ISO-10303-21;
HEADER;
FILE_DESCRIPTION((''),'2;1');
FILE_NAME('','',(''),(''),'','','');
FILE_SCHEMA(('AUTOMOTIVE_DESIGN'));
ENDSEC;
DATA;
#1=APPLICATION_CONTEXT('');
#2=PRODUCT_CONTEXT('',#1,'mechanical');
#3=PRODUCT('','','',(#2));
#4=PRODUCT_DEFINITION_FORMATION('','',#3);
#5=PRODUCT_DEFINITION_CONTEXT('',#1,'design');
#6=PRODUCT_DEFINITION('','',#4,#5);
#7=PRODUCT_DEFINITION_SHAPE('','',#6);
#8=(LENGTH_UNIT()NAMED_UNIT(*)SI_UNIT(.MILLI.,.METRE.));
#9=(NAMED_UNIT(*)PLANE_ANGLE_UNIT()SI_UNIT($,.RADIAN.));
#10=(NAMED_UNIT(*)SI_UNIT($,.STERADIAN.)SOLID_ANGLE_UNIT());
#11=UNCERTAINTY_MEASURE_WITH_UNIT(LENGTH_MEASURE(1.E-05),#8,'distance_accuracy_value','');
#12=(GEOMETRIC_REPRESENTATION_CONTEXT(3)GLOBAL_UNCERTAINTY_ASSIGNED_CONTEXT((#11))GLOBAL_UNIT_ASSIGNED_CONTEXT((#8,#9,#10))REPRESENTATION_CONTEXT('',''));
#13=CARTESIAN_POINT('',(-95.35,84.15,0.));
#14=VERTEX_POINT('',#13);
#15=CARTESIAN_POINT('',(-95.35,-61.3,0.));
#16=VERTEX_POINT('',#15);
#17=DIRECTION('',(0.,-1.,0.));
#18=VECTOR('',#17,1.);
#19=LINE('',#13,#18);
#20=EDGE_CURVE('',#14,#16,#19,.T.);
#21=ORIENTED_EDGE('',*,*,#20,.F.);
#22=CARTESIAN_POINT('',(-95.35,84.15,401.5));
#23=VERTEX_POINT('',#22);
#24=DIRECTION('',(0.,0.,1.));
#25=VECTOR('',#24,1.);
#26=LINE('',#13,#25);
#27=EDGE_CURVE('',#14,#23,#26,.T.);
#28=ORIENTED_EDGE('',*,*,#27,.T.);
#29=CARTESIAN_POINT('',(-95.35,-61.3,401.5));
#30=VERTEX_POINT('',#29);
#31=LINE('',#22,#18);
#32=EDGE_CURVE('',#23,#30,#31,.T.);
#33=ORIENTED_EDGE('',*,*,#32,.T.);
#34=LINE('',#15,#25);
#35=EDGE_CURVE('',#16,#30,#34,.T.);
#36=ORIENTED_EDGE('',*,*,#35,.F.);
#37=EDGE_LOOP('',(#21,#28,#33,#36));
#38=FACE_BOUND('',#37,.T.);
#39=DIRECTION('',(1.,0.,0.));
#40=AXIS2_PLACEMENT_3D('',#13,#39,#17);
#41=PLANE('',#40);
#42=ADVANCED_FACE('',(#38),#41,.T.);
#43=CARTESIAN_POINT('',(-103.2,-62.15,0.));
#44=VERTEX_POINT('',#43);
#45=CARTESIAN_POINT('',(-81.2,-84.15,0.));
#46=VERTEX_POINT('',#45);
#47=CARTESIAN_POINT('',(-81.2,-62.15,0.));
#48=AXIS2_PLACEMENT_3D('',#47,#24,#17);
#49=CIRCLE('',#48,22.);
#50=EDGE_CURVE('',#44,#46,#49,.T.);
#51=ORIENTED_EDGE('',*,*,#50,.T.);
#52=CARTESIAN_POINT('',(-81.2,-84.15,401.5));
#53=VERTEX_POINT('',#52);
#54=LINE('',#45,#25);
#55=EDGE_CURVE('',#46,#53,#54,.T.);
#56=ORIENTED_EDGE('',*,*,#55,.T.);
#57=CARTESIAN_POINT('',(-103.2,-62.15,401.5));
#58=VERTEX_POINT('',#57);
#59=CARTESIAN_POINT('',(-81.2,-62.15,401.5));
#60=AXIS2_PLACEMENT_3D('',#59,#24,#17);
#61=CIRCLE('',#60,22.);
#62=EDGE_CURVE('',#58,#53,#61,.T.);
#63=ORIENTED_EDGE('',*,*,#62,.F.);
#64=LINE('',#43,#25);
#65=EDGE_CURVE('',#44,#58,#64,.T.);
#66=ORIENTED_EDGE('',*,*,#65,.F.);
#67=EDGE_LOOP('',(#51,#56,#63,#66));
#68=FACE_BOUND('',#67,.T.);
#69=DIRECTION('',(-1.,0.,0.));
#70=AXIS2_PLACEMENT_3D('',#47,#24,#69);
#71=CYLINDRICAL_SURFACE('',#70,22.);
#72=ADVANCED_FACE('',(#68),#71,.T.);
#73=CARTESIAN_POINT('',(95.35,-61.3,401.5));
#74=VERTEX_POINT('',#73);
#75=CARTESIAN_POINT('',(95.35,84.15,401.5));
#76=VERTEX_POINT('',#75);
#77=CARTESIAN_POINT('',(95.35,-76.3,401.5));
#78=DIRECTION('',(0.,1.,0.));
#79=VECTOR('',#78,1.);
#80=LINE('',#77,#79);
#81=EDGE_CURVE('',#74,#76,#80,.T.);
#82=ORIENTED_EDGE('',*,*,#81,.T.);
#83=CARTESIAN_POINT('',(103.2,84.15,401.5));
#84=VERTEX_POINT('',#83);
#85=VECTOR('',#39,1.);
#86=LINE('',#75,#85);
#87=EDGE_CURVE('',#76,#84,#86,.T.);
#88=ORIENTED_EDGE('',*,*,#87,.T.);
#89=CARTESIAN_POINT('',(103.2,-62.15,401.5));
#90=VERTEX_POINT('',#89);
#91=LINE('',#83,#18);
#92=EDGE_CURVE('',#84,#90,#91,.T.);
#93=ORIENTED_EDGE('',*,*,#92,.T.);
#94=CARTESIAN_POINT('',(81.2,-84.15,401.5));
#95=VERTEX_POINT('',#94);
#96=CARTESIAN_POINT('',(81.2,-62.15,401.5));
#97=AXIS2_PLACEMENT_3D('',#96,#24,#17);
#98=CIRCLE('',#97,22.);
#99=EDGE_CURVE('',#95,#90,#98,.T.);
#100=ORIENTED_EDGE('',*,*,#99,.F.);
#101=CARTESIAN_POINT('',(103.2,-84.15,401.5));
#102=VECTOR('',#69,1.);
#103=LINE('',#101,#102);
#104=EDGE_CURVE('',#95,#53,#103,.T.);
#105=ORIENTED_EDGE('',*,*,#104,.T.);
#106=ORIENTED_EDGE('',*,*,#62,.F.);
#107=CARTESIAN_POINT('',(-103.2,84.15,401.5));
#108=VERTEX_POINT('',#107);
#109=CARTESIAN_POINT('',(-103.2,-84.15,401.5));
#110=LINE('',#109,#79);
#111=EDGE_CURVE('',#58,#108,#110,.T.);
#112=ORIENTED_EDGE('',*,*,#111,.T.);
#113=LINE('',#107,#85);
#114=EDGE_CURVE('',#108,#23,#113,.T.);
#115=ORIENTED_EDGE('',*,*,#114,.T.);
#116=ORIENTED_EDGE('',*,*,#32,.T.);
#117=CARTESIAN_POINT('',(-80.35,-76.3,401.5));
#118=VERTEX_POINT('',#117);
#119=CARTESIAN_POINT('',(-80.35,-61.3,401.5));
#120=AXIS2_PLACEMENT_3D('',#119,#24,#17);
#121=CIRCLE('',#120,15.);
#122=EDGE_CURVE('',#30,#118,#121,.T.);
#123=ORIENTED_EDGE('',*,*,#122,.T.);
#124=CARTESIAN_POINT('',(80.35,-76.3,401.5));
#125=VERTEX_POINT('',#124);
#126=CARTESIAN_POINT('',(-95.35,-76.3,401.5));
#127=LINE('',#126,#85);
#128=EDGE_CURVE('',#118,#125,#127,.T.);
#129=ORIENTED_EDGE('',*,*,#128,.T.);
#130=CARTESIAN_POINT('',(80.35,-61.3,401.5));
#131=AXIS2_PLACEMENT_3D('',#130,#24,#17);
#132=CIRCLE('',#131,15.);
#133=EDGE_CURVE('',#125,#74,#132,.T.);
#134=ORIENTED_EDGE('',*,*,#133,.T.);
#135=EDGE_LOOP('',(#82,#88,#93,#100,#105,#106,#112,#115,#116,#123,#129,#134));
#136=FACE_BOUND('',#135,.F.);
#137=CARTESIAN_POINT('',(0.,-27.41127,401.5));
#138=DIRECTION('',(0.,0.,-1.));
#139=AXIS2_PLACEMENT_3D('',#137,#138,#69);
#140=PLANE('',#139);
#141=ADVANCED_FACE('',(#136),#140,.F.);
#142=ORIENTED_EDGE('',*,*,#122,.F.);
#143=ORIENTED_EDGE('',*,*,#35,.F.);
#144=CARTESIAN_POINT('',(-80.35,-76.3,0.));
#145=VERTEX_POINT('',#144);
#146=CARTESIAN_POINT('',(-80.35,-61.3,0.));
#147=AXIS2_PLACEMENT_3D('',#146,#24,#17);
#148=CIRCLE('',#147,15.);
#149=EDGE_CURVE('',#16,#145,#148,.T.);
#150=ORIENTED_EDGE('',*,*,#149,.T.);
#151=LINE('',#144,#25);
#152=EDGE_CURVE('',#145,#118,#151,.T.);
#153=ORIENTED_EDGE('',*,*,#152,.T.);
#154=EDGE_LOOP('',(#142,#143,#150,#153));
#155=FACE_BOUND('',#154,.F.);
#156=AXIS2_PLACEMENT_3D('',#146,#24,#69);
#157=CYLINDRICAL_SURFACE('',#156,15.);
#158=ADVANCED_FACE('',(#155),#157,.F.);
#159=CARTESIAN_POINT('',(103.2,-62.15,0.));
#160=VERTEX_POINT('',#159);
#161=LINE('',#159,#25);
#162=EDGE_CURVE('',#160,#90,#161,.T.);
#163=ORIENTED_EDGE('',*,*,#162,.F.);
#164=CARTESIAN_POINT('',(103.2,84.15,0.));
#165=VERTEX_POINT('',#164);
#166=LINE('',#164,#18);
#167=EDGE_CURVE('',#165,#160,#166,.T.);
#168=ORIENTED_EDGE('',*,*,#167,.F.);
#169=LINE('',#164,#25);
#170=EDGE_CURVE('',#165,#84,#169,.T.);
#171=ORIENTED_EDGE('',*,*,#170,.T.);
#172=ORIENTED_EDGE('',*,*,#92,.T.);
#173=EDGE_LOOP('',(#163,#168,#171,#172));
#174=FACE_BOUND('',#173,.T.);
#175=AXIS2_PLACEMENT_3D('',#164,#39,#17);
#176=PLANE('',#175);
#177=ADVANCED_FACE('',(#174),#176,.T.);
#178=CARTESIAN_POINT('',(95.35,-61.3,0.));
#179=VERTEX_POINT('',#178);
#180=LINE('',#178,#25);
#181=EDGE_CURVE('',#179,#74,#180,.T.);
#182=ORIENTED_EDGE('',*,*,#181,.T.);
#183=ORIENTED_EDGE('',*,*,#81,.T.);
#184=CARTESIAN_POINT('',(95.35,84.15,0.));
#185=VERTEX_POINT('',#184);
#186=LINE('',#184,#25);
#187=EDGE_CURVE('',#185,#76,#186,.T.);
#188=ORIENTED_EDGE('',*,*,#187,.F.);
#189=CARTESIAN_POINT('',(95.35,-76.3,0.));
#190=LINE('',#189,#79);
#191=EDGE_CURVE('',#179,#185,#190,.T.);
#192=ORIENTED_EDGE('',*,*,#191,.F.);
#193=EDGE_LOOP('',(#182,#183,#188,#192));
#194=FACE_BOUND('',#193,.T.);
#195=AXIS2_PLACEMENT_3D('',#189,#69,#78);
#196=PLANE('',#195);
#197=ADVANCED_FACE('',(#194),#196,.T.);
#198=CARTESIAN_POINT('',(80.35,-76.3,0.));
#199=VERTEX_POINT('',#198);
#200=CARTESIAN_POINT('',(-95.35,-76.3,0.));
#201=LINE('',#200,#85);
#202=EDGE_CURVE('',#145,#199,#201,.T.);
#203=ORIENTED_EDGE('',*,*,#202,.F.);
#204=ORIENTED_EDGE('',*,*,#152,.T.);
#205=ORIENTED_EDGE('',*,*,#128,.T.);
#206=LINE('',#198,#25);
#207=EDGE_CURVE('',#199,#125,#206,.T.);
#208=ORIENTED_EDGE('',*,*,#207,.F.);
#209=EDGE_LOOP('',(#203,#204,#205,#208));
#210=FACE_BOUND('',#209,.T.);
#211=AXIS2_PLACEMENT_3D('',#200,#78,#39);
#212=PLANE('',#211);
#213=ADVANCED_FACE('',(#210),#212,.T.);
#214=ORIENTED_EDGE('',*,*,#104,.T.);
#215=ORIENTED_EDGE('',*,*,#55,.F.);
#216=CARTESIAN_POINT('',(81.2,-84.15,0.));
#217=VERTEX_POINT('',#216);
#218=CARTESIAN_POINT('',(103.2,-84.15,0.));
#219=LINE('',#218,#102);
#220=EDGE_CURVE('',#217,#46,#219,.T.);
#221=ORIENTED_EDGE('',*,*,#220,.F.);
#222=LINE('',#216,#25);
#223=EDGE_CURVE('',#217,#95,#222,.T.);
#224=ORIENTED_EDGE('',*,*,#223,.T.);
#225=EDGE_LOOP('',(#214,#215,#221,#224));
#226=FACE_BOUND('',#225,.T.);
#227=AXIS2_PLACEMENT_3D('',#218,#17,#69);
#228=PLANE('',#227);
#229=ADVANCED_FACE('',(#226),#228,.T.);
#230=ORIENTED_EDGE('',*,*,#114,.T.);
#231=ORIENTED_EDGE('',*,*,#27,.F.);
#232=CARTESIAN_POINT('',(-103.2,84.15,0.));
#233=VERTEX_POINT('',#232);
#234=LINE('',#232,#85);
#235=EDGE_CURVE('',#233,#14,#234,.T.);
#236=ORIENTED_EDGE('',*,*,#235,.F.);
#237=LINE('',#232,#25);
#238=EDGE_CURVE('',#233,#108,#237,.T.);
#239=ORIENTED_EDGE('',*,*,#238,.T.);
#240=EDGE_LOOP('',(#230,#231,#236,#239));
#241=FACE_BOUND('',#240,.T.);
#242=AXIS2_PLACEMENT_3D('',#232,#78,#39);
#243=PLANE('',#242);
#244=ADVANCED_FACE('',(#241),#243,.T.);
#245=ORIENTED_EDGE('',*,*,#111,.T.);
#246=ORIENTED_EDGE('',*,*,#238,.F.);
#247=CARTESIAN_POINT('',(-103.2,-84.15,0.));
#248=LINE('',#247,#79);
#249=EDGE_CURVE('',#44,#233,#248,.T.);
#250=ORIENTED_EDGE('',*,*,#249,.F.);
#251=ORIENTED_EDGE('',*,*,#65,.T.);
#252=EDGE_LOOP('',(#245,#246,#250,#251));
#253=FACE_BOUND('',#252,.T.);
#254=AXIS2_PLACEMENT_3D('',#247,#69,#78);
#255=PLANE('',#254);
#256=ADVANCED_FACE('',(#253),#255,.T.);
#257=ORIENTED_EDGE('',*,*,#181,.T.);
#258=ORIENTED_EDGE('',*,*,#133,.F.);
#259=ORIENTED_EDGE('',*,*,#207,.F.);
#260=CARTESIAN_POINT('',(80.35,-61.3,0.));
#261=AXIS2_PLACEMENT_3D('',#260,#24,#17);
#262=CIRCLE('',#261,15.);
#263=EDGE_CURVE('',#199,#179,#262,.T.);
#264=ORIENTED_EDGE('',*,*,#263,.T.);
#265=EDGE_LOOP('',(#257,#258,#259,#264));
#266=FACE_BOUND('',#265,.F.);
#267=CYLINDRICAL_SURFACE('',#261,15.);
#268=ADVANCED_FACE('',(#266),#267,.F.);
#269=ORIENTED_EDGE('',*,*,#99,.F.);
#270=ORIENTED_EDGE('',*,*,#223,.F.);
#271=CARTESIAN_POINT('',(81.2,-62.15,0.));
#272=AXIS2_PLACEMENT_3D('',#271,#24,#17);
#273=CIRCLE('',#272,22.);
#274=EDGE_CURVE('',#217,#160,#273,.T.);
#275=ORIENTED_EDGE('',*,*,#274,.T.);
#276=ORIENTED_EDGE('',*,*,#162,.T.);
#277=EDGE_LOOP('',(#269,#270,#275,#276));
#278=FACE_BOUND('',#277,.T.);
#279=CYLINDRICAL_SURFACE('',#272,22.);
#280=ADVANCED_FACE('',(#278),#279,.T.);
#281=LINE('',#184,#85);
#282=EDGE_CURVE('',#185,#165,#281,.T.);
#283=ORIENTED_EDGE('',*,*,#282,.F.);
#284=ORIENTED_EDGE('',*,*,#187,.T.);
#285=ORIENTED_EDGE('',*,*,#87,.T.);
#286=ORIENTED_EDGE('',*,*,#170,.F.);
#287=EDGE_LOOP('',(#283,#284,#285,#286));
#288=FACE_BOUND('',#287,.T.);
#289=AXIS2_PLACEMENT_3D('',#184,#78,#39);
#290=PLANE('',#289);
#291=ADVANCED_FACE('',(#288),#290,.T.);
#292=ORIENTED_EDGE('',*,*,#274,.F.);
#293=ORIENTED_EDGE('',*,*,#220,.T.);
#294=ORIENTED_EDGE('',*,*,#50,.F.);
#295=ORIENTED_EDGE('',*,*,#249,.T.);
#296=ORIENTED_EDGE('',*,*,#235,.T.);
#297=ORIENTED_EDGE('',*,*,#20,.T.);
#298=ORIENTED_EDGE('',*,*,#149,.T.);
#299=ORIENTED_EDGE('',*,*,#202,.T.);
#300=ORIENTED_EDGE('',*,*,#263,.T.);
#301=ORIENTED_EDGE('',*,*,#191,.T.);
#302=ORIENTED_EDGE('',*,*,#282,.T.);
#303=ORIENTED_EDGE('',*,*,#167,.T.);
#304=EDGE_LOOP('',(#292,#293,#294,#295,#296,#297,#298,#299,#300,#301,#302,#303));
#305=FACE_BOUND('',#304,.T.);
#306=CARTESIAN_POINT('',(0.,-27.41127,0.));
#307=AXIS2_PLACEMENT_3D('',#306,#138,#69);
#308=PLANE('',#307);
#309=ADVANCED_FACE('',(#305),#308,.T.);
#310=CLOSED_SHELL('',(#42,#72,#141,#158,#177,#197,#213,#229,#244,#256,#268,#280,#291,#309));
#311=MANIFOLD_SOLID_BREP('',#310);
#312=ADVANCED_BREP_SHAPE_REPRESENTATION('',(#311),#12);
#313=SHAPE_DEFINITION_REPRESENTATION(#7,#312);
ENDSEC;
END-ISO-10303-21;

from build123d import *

# Parameters (mm, degrees)
BOSS_EXTRUDE1_DEPTH = 401.5
FILLET2_R           = 15
FILLET4_R           = 22


with BuildPart() as part:
    # Sketch1 → Boss-Extrude1 (new body)
    with BuildSketch(Plane.XY):
        Polygon((-95.35, 84.15), (-95.35, -76.3), (95.35, -76.3), (95.35, 84.15), (103.2, 84.15), (103.2, -84.15), (-103.2, -84.15), (-103.2, 84.15), align=None)
    extrude(amount=BOSS_EXTRUDE1_DEPTH)

    # Fillet2
    fillet2_edges = [part.edges().sort_by_distance(p)[0] for p in [
        (-95.35, -76.3, 200.75),
        (95.35, -76.3, 200.75),
    ]]
    fillet(fillet2_edges, radius=FILLET2_R)

    # Fillet4
    fillet4_edges = [part.edges().sort_by_distance(p)[0] for p in [
        (103.2, -84.15, 200.75),
        (-103.2, -84.15, 200.75),
    ]]
    fillet(fillet4_edges, radius=FILLET4_R)


solid = part.part
